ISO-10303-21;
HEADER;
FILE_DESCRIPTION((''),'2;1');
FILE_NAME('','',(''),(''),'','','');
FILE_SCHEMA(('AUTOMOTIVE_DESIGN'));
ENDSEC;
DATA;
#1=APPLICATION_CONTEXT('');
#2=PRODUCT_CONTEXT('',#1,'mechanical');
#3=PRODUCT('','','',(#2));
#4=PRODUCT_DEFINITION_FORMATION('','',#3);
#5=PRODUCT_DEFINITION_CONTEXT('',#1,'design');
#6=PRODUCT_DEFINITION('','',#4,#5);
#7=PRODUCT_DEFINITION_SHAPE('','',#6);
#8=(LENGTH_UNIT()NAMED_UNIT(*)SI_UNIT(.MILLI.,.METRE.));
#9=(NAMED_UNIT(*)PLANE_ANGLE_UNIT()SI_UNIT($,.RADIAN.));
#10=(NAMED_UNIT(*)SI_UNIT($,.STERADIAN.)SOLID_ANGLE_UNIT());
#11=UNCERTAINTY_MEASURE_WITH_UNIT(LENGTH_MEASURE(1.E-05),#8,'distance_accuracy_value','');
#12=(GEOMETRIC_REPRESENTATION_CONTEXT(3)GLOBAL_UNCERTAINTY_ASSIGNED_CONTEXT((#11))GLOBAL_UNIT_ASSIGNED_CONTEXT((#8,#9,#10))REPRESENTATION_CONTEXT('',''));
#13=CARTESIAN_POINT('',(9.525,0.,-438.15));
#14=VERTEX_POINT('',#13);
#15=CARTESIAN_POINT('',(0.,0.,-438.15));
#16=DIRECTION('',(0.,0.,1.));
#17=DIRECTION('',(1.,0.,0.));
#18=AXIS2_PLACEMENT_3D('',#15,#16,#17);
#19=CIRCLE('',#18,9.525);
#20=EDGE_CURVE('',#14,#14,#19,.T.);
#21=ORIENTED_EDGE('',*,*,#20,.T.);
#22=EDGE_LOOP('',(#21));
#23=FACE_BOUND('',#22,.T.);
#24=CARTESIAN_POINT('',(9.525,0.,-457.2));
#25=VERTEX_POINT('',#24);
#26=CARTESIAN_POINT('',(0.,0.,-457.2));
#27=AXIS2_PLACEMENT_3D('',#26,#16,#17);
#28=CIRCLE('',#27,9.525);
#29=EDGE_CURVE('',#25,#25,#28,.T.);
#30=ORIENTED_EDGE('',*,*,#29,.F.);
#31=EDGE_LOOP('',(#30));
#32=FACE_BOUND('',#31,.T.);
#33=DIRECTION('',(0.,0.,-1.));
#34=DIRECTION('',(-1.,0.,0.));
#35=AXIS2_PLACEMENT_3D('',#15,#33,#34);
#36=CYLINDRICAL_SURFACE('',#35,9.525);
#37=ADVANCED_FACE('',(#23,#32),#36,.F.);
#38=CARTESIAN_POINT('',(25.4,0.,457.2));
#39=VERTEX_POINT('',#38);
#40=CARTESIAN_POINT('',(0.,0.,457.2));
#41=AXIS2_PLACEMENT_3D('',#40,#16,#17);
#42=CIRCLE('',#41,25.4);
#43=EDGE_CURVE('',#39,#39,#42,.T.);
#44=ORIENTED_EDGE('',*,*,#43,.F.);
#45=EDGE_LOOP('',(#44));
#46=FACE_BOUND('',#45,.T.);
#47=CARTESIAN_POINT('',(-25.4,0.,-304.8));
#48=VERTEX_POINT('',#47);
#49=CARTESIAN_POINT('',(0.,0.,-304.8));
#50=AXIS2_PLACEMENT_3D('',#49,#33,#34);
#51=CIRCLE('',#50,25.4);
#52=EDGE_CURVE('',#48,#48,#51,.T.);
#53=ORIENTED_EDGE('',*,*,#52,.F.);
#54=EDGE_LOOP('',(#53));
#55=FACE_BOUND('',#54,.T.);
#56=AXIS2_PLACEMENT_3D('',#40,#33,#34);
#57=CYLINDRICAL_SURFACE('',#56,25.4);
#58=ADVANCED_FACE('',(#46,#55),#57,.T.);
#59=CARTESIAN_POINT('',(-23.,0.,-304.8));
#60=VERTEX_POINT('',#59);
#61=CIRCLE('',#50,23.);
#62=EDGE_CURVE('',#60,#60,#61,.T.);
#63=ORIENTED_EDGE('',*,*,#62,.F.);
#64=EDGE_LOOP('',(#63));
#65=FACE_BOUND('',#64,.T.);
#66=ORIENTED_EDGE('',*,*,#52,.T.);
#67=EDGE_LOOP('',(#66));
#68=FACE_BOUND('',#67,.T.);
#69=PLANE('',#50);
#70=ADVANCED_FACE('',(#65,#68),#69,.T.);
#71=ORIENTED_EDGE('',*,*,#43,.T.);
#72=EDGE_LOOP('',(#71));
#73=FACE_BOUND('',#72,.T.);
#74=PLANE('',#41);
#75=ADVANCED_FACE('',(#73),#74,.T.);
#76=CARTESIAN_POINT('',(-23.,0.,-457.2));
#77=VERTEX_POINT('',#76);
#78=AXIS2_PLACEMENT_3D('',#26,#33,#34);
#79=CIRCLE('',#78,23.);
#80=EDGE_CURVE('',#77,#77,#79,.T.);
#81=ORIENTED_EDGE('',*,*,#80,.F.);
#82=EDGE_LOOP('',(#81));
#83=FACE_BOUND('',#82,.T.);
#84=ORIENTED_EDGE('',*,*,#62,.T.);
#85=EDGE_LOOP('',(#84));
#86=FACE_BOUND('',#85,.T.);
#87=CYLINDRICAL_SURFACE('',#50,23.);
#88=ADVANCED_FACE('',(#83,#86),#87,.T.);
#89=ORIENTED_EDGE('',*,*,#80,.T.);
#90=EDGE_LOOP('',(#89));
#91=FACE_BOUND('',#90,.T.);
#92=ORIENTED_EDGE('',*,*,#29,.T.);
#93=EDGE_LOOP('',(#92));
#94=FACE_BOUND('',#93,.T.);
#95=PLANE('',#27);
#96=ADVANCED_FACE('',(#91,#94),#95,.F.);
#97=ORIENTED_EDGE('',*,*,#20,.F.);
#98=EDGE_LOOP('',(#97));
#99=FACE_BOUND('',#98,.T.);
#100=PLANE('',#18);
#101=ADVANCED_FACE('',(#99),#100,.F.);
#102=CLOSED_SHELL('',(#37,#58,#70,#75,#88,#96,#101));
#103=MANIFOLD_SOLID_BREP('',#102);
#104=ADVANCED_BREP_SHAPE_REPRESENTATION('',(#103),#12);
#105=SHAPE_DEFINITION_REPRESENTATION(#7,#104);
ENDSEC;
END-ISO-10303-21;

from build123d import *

# Parameters (mm, degrees)
SKETCH3_R                = 25.4
BOSS_EXTRUDE1_DEPTH      = 457.2
BOSS_EXTRUDE1_DEPTH_BACK = 457.2
SKETCH4_R                = 9.525
CUT_EXTRUDE2_DEPTH       = 19.05
SKETCH5_R                = 25.4
SKETCH5_R_2              = 23
CUT_EXTRUDE3_DEPTH       = 152.4


with BuildPart() as part:
    # Sketch3 → Boss-Extrude1 (new body, two sides)
    with BuildSketch(Plane.XY) as boss_extrude1_sk:
        Circle(SKETCH3_R)
    extrude(amount=BOSS_EXTRUDE1_DEPTH)
    extrude(boss_extrude1_sk.sketch, amount=-BOSS_EXTRUDE1_DEPTH_BACK)

    # Sketch4 → Cut-Extrude2 (cut)
    with BuildSketch(Plane.XY.offset(-457.2)):
        Circle(SKETCH4_R)
    extrude(amount=CUT_EXTRUDE2_DEPTH, mode=Mode.SUBTRACT)

    # Sketch5 → Cut-Extrude3 (cut)
    with BuildSketch(Plane(origin=(0, 0, -457.2), x_dir=(-1, 0, 0), z_dir=(0, 0, -1))):
        Circle(SKETCH5_R)
        Circle(SKETCH5_R_2, mode=Mode.SUBTRACT)
    extrude(amount=-CUT_EXTRUDE3_DEPTH, mode=Mode.SUBTRACT)


solid = part.part
